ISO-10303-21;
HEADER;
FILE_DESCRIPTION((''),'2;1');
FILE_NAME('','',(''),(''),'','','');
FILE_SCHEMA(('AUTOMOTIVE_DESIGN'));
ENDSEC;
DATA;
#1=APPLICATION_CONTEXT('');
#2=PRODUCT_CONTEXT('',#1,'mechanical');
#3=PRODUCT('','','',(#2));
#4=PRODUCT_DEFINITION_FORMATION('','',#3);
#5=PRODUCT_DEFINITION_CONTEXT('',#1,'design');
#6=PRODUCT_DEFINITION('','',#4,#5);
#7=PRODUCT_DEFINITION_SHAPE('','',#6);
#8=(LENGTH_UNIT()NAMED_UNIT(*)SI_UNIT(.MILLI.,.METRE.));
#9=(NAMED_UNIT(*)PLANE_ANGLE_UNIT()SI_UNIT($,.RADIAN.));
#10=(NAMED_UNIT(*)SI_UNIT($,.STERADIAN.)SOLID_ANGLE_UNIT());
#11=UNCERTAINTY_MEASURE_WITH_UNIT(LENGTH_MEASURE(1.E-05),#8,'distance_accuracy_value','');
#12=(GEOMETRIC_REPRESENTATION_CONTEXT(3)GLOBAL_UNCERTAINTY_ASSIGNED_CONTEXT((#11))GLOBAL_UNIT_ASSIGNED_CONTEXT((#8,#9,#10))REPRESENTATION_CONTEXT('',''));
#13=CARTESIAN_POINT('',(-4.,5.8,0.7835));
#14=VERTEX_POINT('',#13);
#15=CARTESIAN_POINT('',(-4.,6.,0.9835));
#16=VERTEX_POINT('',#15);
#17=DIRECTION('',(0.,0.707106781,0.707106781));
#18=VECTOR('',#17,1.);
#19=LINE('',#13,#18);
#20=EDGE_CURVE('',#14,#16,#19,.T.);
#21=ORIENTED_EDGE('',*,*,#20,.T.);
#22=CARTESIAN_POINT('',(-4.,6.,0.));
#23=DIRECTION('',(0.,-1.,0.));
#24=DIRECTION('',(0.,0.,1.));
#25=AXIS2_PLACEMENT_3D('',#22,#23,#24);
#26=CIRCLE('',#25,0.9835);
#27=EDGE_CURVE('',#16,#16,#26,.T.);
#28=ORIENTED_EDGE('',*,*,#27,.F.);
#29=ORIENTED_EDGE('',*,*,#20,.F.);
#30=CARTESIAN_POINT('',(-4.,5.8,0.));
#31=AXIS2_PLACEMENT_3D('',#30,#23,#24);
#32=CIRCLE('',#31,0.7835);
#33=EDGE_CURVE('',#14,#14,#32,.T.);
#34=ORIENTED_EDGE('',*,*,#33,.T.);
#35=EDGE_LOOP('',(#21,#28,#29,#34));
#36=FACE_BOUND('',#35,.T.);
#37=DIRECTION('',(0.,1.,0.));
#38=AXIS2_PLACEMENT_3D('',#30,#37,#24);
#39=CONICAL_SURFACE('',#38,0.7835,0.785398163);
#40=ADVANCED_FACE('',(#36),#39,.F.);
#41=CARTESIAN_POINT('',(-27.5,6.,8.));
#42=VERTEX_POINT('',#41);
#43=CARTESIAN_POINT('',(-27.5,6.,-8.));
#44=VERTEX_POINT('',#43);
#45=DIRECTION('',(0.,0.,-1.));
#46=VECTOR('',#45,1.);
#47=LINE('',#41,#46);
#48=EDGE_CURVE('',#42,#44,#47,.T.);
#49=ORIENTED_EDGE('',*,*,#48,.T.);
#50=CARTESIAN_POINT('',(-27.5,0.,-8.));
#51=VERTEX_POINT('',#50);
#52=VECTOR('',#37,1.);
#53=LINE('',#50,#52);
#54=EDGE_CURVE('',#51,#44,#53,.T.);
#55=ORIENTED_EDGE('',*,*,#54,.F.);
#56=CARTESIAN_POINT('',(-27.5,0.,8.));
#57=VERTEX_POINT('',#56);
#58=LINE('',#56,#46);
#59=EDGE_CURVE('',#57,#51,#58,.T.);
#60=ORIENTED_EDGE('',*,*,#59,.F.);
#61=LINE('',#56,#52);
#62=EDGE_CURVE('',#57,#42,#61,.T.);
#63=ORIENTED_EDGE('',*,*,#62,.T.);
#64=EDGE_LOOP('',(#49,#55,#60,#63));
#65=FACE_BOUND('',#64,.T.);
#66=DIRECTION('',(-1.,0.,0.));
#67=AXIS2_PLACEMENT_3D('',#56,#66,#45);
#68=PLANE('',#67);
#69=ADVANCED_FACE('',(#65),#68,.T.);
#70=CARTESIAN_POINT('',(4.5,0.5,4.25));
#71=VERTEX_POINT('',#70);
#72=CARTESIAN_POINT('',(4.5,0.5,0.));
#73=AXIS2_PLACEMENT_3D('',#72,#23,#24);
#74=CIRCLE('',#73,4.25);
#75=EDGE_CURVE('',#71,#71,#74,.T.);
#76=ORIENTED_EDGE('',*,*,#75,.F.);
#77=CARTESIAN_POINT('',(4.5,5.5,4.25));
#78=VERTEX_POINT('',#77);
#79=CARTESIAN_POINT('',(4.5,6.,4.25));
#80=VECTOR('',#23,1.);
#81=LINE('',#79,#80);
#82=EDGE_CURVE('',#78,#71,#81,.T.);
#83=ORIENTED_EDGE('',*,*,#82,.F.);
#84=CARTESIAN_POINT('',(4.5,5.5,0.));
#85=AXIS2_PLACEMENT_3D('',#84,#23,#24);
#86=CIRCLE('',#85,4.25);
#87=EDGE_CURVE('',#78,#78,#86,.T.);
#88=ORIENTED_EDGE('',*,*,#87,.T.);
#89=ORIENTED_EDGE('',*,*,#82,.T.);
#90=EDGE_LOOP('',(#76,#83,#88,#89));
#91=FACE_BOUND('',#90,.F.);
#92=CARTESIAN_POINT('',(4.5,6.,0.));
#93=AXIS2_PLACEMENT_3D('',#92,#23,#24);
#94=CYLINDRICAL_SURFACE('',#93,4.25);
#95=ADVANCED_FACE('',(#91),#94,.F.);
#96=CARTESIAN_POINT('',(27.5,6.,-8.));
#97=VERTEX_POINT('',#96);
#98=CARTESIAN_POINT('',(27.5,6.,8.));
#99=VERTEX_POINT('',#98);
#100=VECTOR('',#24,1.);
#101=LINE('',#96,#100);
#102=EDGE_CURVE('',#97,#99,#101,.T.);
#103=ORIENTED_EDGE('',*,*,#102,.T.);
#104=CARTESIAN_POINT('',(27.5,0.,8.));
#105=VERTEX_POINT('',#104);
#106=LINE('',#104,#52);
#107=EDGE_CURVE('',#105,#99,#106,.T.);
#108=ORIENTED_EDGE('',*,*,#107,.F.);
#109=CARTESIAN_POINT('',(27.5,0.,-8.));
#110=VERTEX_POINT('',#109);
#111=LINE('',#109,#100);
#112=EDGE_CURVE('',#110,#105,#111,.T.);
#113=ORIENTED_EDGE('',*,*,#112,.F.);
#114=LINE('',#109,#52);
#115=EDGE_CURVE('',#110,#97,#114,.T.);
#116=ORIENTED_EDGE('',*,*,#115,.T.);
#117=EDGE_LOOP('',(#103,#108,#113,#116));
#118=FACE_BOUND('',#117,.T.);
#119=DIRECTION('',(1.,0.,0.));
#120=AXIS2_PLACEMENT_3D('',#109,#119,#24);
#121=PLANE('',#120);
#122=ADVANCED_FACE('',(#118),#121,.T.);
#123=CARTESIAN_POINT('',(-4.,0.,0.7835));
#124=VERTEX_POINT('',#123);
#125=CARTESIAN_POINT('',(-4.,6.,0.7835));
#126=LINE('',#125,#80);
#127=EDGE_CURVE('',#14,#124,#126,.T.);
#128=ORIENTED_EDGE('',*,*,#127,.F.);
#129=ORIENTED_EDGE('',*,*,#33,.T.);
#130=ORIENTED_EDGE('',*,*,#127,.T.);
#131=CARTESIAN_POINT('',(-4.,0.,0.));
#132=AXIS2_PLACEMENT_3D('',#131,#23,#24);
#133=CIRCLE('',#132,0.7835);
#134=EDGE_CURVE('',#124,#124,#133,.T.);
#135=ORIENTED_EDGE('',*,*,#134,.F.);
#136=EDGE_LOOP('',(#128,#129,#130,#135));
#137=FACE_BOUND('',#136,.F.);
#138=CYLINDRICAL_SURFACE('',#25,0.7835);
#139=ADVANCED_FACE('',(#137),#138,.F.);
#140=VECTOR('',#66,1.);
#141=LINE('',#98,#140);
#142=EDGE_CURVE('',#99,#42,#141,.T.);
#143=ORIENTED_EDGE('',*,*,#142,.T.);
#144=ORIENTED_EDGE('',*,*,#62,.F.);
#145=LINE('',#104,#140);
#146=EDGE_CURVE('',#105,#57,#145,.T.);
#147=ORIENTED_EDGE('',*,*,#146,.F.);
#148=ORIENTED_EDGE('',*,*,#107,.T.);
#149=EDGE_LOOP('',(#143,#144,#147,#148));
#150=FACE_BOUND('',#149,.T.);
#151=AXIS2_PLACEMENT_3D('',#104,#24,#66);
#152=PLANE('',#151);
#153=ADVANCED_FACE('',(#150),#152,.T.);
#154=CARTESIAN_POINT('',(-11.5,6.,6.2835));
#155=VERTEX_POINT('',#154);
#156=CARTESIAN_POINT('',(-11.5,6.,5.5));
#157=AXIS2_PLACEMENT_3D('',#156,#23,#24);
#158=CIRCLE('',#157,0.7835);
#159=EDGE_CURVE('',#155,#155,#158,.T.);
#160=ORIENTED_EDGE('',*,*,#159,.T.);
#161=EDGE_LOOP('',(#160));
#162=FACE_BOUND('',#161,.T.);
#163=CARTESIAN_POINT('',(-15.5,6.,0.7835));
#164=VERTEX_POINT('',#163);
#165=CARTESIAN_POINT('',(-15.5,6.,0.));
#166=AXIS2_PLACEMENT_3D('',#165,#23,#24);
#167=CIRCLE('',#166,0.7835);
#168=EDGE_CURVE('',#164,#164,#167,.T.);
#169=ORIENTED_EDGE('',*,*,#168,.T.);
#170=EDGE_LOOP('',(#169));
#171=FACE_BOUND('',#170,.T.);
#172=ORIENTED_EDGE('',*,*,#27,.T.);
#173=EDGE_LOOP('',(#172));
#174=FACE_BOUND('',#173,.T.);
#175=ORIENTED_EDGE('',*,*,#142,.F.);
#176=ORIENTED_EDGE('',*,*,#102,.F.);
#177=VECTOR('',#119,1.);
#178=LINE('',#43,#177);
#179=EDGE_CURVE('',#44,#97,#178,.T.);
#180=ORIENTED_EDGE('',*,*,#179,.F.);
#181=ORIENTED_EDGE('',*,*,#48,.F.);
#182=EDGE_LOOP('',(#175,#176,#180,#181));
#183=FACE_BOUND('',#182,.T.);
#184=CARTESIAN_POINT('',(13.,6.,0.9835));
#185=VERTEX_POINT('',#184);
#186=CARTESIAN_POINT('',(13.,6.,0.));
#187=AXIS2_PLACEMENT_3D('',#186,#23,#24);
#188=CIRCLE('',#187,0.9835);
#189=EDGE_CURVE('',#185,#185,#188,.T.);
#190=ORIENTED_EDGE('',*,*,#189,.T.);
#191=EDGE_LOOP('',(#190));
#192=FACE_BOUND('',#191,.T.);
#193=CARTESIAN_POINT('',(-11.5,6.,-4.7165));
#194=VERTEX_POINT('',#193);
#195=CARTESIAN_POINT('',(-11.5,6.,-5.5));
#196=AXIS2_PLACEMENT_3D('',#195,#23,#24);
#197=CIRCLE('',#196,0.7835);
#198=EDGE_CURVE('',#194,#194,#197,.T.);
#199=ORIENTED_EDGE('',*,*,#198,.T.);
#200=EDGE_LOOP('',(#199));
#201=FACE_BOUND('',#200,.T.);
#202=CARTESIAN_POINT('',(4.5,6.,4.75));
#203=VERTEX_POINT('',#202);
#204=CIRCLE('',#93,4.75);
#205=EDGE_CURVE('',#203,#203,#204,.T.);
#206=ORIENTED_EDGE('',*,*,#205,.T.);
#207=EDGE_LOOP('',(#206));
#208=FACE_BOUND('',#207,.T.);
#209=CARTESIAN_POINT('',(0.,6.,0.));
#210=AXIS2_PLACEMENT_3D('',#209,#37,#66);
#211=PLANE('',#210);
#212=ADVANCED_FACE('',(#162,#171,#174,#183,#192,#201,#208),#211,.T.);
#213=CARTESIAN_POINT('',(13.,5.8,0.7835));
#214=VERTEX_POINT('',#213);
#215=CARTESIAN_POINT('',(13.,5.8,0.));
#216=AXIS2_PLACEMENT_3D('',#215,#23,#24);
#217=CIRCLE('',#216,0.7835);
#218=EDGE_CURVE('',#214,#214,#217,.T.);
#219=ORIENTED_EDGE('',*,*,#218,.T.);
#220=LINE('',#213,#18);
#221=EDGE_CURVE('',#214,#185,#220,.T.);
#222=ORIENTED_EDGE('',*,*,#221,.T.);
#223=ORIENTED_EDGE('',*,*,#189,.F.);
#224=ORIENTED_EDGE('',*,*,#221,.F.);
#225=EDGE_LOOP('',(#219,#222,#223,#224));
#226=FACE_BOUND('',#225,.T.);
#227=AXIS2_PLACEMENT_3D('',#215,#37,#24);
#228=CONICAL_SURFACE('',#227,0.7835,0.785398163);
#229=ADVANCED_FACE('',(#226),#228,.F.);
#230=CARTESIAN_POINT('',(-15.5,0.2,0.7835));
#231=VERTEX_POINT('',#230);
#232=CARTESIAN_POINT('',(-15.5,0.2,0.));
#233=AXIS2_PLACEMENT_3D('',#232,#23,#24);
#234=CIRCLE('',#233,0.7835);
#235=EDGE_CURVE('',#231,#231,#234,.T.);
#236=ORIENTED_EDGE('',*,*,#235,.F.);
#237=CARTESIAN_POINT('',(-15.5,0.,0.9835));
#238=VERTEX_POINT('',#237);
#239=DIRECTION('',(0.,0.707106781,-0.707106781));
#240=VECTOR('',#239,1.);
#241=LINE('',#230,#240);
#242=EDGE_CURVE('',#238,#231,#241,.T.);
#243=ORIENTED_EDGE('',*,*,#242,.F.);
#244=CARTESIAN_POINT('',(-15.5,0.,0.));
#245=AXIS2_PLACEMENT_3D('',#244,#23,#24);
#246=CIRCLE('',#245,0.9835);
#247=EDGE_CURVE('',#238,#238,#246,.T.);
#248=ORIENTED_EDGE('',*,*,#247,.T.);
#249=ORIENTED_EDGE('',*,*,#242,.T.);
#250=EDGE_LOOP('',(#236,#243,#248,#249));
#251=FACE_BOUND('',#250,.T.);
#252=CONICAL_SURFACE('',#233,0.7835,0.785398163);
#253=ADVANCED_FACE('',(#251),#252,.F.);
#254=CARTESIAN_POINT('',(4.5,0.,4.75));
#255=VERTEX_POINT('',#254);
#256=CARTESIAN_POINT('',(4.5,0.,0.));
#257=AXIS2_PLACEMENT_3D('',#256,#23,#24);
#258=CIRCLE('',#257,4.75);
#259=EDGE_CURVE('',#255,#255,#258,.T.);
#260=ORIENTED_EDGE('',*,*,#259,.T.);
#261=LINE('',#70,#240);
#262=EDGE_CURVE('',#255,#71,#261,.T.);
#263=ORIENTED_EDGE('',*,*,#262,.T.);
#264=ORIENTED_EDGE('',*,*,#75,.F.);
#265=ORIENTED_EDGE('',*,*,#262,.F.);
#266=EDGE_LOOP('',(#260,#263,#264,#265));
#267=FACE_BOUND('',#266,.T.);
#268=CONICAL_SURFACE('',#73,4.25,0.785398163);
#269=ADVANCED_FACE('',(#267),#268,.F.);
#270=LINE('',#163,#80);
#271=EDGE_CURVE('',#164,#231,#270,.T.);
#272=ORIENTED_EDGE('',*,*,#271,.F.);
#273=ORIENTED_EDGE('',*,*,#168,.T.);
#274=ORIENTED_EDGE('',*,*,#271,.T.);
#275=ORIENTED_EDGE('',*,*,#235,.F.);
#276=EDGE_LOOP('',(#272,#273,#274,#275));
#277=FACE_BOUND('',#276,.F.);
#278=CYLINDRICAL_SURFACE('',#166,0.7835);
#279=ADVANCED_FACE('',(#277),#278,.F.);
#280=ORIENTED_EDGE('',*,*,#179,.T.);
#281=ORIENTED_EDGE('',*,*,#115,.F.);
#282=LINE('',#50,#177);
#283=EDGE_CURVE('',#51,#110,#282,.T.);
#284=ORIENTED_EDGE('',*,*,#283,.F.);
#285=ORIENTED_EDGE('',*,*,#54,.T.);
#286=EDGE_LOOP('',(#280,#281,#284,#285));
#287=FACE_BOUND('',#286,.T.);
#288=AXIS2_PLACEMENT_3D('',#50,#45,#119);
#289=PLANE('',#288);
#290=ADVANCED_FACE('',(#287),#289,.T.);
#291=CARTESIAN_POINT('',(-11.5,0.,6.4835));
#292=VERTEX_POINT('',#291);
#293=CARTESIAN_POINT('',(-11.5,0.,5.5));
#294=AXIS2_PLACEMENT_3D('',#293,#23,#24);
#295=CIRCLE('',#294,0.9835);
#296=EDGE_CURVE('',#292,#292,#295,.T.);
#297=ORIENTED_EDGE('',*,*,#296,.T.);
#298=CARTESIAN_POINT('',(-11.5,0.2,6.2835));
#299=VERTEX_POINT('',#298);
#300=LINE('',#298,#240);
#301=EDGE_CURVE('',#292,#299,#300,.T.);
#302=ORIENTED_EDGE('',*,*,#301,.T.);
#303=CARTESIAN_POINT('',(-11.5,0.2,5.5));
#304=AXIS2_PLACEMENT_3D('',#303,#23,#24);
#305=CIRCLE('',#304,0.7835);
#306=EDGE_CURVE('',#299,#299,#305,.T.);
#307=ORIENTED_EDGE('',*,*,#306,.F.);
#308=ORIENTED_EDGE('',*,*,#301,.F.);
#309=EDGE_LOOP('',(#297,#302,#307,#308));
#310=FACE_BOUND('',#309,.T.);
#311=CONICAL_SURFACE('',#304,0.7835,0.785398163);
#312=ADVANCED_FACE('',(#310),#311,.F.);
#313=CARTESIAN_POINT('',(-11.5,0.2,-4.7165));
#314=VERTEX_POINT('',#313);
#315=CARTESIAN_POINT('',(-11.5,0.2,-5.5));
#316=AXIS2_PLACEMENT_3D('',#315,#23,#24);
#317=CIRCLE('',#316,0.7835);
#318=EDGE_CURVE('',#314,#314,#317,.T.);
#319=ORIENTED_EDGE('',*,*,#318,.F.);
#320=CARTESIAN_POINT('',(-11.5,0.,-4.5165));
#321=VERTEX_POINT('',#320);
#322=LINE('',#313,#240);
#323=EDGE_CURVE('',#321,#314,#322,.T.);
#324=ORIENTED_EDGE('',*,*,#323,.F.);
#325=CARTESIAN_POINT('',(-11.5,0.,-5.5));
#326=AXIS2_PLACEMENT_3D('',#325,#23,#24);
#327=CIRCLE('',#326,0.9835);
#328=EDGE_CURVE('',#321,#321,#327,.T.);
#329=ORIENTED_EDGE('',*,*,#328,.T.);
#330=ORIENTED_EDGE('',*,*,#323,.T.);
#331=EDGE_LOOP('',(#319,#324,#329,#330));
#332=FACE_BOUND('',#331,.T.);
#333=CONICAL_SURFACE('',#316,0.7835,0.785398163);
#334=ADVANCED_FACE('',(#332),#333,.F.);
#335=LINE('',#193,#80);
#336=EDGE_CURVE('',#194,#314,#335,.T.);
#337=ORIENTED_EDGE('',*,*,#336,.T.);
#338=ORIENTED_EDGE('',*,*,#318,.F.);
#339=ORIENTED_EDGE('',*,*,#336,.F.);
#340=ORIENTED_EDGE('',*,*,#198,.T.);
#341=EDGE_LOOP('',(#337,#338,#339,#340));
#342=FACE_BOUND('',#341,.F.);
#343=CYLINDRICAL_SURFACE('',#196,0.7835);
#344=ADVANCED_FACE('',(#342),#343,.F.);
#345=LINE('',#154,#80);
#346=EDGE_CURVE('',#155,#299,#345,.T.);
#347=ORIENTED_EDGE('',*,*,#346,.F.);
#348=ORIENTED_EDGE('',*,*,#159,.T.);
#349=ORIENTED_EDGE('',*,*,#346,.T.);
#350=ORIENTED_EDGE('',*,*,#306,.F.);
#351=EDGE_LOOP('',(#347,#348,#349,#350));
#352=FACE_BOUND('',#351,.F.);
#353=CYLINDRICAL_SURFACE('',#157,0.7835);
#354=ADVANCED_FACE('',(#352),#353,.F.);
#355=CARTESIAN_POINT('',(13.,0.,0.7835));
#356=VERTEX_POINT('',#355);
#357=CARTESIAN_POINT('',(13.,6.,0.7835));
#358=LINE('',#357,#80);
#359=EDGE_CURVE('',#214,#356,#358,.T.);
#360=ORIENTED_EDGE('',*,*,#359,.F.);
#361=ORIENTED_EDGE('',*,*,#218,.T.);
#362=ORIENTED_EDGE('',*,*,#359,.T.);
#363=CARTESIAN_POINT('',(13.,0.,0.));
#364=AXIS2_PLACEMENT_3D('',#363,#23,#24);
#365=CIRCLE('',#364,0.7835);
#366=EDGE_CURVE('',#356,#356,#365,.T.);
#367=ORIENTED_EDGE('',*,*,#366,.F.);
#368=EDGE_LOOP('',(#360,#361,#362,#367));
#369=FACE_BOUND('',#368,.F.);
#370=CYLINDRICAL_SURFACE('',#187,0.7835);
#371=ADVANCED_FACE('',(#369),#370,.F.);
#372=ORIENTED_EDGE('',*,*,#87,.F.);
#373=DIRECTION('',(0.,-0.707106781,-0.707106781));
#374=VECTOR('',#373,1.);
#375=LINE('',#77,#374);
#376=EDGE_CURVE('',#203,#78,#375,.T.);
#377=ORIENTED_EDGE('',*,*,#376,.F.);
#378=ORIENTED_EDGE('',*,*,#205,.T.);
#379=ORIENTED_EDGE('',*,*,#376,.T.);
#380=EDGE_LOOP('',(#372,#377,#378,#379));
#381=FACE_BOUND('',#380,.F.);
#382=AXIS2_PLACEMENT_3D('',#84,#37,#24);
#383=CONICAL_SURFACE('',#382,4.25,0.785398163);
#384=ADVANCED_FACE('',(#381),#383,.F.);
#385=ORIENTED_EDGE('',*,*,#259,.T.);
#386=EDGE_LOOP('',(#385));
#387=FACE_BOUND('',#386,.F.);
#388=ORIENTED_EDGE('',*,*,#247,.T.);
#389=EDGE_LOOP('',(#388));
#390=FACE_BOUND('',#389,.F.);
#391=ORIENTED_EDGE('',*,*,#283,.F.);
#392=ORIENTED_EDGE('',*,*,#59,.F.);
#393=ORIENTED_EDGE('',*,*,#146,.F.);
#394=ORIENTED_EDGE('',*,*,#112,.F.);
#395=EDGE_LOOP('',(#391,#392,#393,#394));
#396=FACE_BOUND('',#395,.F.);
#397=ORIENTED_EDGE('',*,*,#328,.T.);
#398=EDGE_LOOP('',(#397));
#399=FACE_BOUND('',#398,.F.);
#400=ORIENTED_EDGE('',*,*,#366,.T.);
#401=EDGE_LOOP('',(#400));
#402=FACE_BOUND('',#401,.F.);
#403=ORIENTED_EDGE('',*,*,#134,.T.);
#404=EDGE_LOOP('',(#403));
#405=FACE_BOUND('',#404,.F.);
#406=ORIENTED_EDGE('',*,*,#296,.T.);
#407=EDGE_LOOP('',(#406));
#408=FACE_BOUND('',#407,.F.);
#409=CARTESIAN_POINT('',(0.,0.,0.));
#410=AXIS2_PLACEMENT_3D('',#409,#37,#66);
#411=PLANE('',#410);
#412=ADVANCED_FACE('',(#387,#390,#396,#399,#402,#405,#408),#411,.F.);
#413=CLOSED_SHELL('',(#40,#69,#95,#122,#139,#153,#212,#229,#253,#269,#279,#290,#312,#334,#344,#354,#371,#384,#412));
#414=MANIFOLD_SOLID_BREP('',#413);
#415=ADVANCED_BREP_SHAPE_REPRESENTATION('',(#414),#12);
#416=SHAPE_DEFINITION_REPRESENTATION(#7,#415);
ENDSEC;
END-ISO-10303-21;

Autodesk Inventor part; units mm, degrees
ref_plane "YZ Plane" through (0, 0, 0) normal (1, 0, 0) x (0, 1, 0)
ref_plane "XZ Plane" through (0, 0, 0) normal (0, 1, 0) x (-1, 0, 0)
ref_plane "XY Plane" through (0, 0, 0) normal (0, 0, 1) x (1, 0, 0)
sketch "Sketch1" plane through (0, 0, 0) normal (0, 1, 0) x (-1, 0, 0)
  line L0 (-27.5, 8) -> (27.5, 8)
  line L1 (27.5, 8) -> (27.5, -8)
  line L2 (27.5, -8) -> (-27.5, -8)
  line L3 (-27.5, -8) -> (-27.5, 8)
  line L4 (-27.5, 8) -> (27.5, -8) construction
  line L5 (27.5, 8) -> (-27.5, -8) construction
  point P0 (0, 0)
  dimension "d0" = 55
  dimension "d1" = 16
extrude "Extrusion1" add sketch "Sketch1" along normal blind 6
sketch "Sketch2" plane through (0, 6, 0) normal (0, 1, 0) x (1, 0, 0)
  line L0 (27.5, 8) -> (-27.5, 8) construction
  line L1 (-27.5, 8) -> (-27.5, -8) construction
  line L2 (-27.5, -8) -> (27.5, -8) construction
  line L3 (27.5, -8) -> (27.5, 8) construction
  point P0 (0, 0)
  point P1 (4.5, 0)
  dimension "d4" = 23
hole "Hole1" at (4.5, 6, 0) direction (0, -1, 0) diameter 8.5 end through all
chamfer "Chamfer1" distance 0.5 angle 45 2 edges at (4.5, 0, -4.25) (4.5, 6, -4.25)
sketch "Sketch3" plane through (0, 6, 0) normal (0, 1, 0) x (1, 0, 0)
  circle A0 centre (-15.5, 0) radius 1.4 construction
  line L0 (-18.5, 8) -> (-4.5, 8) construction
  line L1 (-4.5, 8) -> (-4.5, -8) construction
  line L2 (-4.5, -8) -> (-18.5, -8) construction
  line L3 (-18.5, 8) -> (-18.5, -8) projected
  circle A1 centre (-11.5, 5.5) radius 1.4 projected
  circle A2 centre (-11.5, -5.5) radius 1.4 projected
  point P0 (0, 0)
  point P1 (-15.5, 0)
hole "Hole2" at (-15.5, 6, 0) at (-11.5, 6, -5.5) at (-11.5, 6, 5.5) direction (0, -1, 0) diameter 1.567 end through all thread size "M2x0.4" class "6H" standard "ISO Metric profile"
chamfer "Chamfer2" distance 0.2 angle 45 3 edges at (-11.5, 0, -6.2835) (-15.5, 0, -0.7835) (-11.5, 0, 4.7165)
sketch "Sketch4" plane through (0, 6, 0) normal (0, 1, 0) x (1, 0, 0)
  circle A0 centre (-4, 0) radius 2.2 construction
  circle A1 centre (13, 0) radius 2.2 construction
  point P0 (0, 0)
hole "Hole3" at (-4, 6, 0) at (13, 6, 0) direction (0, -1, 0) diameter 1.567 end through all thread size "M2x0.4" class "6H" standard "ISO Metric profile"
chamfer "Chamfer3" distance 0.2 angle 45 2 edges at (13, 6, -0.7835) (-4, 6, -0.7835)
properties part number "KN-00-02-11" material "X5CrNi18-10"
